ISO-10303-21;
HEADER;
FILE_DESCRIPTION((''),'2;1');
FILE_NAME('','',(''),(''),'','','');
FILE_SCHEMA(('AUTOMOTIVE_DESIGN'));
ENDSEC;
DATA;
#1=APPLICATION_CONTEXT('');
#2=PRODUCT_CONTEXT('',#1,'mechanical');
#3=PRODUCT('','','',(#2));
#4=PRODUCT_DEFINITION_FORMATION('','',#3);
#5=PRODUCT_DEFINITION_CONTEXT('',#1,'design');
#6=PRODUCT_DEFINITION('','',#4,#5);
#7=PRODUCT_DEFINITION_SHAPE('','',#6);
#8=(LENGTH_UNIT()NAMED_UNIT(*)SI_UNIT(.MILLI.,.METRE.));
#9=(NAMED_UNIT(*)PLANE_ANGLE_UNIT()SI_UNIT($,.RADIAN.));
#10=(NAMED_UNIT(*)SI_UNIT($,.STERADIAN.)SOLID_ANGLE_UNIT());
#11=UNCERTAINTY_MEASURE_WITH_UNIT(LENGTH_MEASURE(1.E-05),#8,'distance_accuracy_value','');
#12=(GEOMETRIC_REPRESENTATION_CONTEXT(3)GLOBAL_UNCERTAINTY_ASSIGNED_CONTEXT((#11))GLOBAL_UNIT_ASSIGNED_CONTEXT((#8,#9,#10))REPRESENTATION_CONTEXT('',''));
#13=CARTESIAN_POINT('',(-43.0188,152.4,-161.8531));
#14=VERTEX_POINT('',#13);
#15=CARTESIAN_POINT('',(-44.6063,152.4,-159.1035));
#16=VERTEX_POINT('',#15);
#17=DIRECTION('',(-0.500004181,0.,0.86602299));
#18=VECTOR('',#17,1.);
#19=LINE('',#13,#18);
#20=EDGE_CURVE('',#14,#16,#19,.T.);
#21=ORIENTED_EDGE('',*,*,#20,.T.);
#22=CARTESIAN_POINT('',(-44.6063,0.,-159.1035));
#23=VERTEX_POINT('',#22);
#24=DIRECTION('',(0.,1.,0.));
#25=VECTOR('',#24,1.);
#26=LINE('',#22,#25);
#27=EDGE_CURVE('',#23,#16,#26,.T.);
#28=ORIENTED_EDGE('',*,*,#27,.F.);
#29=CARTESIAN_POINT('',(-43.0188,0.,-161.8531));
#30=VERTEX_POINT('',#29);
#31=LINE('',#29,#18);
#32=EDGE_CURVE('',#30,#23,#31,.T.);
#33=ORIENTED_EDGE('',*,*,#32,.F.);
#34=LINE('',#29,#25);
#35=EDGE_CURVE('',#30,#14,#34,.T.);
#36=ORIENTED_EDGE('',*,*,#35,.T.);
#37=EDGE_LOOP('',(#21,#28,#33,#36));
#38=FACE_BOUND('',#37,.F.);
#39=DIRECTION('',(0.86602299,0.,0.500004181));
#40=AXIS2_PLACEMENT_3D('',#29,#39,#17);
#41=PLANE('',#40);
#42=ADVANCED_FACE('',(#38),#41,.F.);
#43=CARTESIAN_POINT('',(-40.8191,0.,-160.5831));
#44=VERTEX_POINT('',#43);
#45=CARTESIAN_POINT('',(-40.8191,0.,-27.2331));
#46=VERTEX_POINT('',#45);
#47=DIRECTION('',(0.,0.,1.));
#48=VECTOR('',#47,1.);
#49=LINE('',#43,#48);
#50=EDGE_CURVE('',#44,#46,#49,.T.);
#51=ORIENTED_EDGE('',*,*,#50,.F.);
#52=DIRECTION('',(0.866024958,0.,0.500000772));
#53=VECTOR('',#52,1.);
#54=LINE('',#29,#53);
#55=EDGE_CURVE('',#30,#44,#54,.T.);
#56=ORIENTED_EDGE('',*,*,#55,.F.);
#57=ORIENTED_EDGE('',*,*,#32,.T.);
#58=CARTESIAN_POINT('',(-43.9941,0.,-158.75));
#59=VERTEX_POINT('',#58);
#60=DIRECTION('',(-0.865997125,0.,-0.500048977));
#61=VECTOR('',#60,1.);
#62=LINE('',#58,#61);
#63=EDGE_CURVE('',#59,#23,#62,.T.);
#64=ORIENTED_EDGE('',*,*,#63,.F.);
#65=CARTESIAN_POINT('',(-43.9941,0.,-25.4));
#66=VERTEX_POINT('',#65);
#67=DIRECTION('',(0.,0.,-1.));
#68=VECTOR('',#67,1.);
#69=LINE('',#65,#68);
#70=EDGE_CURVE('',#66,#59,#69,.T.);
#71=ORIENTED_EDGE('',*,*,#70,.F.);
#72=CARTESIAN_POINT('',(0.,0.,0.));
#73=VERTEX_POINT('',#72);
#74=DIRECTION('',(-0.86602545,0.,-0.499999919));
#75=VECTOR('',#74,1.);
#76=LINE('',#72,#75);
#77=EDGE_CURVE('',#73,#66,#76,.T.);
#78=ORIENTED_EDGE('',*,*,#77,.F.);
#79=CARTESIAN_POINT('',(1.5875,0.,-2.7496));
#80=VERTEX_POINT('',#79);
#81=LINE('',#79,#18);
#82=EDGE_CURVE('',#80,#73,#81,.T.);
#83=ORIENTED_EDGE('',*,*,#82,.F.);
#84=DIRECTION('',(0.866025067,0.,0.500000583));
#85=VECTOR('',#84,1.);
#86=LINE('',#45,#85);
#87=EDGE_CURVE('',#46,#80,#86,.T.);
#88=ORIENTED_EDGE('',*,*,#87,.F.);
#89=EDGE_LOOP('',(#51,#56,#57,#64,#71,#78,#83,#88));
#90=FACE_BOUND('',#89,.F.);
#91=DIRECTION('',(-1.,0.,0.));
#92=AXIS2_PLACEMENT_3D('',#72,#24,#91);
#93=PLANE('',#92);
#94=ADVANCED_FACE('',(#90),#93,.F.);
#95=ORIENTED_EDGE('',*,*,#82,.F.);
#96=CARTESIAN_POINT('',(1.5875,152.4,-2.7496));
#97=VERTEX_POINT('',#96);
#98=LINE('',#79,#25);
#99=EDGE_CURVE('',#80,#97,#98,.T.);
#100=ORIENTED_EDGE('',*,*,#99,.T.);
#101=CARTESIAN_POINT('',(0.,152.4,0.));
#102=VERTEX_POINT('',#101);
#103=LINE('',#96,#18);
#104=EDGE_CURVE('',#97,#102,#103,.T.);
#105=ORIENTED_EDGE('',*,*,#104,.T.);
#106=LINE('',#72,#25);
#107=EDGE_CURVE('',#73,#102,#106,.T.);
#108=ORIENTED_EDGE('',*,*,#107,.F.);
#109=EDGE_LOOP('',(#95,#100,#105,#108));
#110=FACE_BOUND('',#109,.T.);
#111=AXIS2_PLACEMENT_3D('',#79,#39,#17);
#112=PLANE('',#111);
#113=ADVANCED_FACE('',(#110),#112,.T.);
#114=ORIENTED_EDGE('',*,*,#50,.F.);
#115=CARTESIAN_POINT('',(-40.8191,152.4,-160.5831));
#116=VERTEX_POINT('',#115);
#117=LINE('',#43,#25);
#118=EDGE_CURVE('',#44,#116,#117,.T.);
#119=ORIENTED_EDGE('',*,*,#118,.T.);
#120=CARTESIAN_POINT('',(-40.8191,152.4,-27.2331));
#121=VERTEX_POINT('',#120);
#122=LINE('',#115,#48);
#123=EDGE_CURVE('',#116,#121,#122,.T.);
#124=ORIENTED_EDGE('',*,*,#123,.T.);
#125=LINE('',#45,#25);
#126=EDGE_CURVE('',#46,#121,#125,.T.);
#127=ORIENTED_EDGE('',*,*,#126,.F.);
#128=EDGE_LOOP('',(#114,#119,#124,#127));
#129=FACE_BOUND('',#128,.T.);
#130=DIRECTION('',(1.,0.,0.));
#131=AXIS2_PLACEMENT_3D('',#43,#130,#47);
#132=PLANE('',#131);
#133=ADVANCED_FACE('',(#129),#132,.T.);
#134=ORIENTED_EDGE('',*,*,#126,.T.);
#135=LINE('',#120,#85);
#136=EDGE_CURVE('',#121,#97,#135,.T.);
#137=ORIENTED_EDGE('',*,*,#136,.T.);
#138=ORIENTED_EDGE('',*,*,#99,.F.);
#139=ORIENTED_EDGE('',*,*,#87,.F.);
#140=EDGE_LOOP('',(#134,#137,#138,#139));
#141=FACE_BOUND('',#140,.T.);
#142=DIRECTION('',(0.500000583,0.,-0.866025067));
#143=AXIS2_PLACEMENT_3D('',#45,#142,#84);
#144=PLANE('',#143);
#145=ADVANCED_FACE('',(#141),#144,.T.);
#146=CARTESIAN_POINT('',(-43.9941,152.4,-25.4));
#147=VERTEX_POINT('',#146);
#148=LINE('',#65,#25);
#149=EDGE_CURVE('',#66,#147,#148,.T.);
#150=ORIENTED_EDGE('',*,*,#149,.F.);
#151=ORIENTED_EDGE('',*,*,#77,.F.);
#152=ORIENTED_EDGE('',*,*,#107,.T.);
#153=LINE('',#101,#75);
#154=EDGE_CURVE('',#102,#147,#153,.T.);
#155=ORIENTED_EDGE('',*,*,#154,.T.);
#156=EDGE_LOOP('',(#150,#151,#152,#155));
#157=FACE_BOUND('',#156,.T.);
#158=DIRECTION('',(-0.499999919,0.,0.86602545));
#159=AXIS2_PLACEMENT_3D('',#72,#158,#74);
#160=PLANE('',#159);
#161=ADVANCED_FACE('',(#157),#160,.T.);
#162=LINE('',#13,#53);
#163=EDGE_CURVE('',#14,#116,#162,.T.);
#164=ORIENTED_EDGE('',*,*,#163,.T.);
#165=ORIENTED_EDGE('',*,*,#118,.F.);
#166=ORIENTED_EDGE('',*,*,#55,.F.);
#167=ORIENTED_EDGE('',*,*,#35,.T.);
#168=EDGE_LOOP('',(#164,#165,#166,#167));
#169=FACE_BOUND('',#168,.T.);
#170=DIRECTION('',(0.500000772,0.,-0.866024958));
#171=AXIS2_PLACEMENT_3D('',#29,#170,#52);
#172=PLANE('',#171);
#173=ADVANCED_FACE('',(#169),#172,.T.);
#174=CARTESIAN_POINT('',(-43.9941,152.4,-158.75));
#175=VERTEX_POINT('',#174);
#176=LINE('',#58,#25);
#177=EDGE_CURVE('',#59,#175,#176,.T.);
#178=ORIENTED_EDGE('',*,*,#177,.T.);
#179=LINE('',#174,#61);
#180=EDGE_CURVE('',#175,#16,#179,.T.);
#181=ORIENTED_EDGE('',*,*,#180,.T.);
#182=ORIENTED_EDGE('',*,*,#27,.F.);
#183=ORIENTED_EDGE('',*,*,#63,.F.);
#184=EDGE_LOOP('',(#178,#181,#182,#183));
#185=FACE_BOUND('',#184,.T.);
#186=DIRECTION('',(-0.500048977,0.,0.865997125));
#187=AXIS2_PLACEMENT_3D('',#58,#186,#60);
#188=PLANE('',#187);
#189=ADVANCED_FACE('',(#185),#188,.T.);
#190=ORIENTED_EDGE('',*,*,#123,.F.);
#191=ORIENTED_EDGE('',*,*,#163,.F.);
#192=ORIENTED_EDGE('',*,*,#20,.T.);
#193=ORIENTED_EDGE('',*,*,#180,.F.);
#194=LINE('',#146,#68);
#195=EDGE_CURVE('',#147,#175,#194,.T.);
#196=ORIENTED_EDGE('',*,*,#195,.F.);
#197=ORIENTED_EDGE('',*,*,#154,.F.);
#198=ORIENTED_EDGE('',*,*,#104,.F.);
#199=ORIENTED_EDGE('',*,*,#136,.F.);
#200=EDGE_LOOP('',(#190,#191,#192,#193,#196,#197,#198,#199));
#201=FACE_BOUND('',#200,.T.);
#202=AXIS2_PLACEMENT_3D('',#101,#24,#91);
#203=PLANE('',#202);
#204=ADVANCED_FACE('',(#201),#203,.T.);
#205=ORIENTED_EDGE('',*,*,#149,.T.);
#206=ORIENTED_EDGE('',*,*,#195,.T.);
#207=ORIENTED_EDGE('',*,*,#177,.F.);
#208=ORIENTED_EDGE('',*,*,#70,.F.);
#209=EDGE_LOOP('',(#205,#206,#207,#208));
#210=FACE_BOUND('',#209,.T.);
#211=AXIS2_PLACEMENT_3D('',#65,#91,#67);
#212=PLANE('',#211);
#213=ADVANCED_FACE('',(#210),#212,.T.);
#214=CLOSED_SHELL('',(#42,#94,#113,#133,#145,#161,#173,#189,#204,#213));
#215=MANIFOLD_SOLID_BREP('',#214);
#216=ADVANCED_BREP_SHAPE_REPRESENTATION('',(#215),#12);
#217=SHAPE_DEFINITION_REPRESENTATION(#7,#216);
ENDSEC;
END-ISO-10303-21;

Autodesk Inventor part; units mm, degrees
ref_plane "YZ Plane" through (0, 0, 0) normal (1, 0, 0) x (0, 1, 0)
ref_plane "XZ Plane" through (0, 0, 0) normal (0, 1, 0) x (-1, 0, 0)
ref_plane "XY Plane" through (0, 0, 0) normal (0, 0, 1) x (1, 0, 0)
sketch "Sketch6" plane through (0, 0, 0) normal (0, 1, 0) x (-1, 0, 0)
  line L0 (0, 0) -> (43.9941, -25.4)
  line L1 (43.9941, -25.4) -> (43.9941, -158.75)
  line L2 (43.9941, -158.75) -> (44.6063, -159.1035)
  line L3 (43.9941, -158.75) -> (44.701, -158.75) construction
  line L4 (43.0188, -161.8531) -> (40.8191, -160.5831)
  line L5 (40.8191, -160.5831) -> (40.8191, -27.2331)
  line L6 (40.8191, -27.2331) -> (-1.5875, -2.7496)
  line L7 (-1.5875, -2.7496) -> (0, 0)
  line L8 (0, 0) -> (22.7499, 0) construction
  line L9 (43.0188, -161.8531) -> (44.6063, -159.1035)
  dimension "d15" = 50.8
  dimension "d17" = 133.35
  dimension "d21" = 3.175
  dimension "d22" = 30
  dimension "d27" = 120
  dimension "d29" = 2.54
  dimension "d30" = 90
extrude "Extrusion5" add sketch "Sketch6" along normal blind 152.4
properties part number "flap"
